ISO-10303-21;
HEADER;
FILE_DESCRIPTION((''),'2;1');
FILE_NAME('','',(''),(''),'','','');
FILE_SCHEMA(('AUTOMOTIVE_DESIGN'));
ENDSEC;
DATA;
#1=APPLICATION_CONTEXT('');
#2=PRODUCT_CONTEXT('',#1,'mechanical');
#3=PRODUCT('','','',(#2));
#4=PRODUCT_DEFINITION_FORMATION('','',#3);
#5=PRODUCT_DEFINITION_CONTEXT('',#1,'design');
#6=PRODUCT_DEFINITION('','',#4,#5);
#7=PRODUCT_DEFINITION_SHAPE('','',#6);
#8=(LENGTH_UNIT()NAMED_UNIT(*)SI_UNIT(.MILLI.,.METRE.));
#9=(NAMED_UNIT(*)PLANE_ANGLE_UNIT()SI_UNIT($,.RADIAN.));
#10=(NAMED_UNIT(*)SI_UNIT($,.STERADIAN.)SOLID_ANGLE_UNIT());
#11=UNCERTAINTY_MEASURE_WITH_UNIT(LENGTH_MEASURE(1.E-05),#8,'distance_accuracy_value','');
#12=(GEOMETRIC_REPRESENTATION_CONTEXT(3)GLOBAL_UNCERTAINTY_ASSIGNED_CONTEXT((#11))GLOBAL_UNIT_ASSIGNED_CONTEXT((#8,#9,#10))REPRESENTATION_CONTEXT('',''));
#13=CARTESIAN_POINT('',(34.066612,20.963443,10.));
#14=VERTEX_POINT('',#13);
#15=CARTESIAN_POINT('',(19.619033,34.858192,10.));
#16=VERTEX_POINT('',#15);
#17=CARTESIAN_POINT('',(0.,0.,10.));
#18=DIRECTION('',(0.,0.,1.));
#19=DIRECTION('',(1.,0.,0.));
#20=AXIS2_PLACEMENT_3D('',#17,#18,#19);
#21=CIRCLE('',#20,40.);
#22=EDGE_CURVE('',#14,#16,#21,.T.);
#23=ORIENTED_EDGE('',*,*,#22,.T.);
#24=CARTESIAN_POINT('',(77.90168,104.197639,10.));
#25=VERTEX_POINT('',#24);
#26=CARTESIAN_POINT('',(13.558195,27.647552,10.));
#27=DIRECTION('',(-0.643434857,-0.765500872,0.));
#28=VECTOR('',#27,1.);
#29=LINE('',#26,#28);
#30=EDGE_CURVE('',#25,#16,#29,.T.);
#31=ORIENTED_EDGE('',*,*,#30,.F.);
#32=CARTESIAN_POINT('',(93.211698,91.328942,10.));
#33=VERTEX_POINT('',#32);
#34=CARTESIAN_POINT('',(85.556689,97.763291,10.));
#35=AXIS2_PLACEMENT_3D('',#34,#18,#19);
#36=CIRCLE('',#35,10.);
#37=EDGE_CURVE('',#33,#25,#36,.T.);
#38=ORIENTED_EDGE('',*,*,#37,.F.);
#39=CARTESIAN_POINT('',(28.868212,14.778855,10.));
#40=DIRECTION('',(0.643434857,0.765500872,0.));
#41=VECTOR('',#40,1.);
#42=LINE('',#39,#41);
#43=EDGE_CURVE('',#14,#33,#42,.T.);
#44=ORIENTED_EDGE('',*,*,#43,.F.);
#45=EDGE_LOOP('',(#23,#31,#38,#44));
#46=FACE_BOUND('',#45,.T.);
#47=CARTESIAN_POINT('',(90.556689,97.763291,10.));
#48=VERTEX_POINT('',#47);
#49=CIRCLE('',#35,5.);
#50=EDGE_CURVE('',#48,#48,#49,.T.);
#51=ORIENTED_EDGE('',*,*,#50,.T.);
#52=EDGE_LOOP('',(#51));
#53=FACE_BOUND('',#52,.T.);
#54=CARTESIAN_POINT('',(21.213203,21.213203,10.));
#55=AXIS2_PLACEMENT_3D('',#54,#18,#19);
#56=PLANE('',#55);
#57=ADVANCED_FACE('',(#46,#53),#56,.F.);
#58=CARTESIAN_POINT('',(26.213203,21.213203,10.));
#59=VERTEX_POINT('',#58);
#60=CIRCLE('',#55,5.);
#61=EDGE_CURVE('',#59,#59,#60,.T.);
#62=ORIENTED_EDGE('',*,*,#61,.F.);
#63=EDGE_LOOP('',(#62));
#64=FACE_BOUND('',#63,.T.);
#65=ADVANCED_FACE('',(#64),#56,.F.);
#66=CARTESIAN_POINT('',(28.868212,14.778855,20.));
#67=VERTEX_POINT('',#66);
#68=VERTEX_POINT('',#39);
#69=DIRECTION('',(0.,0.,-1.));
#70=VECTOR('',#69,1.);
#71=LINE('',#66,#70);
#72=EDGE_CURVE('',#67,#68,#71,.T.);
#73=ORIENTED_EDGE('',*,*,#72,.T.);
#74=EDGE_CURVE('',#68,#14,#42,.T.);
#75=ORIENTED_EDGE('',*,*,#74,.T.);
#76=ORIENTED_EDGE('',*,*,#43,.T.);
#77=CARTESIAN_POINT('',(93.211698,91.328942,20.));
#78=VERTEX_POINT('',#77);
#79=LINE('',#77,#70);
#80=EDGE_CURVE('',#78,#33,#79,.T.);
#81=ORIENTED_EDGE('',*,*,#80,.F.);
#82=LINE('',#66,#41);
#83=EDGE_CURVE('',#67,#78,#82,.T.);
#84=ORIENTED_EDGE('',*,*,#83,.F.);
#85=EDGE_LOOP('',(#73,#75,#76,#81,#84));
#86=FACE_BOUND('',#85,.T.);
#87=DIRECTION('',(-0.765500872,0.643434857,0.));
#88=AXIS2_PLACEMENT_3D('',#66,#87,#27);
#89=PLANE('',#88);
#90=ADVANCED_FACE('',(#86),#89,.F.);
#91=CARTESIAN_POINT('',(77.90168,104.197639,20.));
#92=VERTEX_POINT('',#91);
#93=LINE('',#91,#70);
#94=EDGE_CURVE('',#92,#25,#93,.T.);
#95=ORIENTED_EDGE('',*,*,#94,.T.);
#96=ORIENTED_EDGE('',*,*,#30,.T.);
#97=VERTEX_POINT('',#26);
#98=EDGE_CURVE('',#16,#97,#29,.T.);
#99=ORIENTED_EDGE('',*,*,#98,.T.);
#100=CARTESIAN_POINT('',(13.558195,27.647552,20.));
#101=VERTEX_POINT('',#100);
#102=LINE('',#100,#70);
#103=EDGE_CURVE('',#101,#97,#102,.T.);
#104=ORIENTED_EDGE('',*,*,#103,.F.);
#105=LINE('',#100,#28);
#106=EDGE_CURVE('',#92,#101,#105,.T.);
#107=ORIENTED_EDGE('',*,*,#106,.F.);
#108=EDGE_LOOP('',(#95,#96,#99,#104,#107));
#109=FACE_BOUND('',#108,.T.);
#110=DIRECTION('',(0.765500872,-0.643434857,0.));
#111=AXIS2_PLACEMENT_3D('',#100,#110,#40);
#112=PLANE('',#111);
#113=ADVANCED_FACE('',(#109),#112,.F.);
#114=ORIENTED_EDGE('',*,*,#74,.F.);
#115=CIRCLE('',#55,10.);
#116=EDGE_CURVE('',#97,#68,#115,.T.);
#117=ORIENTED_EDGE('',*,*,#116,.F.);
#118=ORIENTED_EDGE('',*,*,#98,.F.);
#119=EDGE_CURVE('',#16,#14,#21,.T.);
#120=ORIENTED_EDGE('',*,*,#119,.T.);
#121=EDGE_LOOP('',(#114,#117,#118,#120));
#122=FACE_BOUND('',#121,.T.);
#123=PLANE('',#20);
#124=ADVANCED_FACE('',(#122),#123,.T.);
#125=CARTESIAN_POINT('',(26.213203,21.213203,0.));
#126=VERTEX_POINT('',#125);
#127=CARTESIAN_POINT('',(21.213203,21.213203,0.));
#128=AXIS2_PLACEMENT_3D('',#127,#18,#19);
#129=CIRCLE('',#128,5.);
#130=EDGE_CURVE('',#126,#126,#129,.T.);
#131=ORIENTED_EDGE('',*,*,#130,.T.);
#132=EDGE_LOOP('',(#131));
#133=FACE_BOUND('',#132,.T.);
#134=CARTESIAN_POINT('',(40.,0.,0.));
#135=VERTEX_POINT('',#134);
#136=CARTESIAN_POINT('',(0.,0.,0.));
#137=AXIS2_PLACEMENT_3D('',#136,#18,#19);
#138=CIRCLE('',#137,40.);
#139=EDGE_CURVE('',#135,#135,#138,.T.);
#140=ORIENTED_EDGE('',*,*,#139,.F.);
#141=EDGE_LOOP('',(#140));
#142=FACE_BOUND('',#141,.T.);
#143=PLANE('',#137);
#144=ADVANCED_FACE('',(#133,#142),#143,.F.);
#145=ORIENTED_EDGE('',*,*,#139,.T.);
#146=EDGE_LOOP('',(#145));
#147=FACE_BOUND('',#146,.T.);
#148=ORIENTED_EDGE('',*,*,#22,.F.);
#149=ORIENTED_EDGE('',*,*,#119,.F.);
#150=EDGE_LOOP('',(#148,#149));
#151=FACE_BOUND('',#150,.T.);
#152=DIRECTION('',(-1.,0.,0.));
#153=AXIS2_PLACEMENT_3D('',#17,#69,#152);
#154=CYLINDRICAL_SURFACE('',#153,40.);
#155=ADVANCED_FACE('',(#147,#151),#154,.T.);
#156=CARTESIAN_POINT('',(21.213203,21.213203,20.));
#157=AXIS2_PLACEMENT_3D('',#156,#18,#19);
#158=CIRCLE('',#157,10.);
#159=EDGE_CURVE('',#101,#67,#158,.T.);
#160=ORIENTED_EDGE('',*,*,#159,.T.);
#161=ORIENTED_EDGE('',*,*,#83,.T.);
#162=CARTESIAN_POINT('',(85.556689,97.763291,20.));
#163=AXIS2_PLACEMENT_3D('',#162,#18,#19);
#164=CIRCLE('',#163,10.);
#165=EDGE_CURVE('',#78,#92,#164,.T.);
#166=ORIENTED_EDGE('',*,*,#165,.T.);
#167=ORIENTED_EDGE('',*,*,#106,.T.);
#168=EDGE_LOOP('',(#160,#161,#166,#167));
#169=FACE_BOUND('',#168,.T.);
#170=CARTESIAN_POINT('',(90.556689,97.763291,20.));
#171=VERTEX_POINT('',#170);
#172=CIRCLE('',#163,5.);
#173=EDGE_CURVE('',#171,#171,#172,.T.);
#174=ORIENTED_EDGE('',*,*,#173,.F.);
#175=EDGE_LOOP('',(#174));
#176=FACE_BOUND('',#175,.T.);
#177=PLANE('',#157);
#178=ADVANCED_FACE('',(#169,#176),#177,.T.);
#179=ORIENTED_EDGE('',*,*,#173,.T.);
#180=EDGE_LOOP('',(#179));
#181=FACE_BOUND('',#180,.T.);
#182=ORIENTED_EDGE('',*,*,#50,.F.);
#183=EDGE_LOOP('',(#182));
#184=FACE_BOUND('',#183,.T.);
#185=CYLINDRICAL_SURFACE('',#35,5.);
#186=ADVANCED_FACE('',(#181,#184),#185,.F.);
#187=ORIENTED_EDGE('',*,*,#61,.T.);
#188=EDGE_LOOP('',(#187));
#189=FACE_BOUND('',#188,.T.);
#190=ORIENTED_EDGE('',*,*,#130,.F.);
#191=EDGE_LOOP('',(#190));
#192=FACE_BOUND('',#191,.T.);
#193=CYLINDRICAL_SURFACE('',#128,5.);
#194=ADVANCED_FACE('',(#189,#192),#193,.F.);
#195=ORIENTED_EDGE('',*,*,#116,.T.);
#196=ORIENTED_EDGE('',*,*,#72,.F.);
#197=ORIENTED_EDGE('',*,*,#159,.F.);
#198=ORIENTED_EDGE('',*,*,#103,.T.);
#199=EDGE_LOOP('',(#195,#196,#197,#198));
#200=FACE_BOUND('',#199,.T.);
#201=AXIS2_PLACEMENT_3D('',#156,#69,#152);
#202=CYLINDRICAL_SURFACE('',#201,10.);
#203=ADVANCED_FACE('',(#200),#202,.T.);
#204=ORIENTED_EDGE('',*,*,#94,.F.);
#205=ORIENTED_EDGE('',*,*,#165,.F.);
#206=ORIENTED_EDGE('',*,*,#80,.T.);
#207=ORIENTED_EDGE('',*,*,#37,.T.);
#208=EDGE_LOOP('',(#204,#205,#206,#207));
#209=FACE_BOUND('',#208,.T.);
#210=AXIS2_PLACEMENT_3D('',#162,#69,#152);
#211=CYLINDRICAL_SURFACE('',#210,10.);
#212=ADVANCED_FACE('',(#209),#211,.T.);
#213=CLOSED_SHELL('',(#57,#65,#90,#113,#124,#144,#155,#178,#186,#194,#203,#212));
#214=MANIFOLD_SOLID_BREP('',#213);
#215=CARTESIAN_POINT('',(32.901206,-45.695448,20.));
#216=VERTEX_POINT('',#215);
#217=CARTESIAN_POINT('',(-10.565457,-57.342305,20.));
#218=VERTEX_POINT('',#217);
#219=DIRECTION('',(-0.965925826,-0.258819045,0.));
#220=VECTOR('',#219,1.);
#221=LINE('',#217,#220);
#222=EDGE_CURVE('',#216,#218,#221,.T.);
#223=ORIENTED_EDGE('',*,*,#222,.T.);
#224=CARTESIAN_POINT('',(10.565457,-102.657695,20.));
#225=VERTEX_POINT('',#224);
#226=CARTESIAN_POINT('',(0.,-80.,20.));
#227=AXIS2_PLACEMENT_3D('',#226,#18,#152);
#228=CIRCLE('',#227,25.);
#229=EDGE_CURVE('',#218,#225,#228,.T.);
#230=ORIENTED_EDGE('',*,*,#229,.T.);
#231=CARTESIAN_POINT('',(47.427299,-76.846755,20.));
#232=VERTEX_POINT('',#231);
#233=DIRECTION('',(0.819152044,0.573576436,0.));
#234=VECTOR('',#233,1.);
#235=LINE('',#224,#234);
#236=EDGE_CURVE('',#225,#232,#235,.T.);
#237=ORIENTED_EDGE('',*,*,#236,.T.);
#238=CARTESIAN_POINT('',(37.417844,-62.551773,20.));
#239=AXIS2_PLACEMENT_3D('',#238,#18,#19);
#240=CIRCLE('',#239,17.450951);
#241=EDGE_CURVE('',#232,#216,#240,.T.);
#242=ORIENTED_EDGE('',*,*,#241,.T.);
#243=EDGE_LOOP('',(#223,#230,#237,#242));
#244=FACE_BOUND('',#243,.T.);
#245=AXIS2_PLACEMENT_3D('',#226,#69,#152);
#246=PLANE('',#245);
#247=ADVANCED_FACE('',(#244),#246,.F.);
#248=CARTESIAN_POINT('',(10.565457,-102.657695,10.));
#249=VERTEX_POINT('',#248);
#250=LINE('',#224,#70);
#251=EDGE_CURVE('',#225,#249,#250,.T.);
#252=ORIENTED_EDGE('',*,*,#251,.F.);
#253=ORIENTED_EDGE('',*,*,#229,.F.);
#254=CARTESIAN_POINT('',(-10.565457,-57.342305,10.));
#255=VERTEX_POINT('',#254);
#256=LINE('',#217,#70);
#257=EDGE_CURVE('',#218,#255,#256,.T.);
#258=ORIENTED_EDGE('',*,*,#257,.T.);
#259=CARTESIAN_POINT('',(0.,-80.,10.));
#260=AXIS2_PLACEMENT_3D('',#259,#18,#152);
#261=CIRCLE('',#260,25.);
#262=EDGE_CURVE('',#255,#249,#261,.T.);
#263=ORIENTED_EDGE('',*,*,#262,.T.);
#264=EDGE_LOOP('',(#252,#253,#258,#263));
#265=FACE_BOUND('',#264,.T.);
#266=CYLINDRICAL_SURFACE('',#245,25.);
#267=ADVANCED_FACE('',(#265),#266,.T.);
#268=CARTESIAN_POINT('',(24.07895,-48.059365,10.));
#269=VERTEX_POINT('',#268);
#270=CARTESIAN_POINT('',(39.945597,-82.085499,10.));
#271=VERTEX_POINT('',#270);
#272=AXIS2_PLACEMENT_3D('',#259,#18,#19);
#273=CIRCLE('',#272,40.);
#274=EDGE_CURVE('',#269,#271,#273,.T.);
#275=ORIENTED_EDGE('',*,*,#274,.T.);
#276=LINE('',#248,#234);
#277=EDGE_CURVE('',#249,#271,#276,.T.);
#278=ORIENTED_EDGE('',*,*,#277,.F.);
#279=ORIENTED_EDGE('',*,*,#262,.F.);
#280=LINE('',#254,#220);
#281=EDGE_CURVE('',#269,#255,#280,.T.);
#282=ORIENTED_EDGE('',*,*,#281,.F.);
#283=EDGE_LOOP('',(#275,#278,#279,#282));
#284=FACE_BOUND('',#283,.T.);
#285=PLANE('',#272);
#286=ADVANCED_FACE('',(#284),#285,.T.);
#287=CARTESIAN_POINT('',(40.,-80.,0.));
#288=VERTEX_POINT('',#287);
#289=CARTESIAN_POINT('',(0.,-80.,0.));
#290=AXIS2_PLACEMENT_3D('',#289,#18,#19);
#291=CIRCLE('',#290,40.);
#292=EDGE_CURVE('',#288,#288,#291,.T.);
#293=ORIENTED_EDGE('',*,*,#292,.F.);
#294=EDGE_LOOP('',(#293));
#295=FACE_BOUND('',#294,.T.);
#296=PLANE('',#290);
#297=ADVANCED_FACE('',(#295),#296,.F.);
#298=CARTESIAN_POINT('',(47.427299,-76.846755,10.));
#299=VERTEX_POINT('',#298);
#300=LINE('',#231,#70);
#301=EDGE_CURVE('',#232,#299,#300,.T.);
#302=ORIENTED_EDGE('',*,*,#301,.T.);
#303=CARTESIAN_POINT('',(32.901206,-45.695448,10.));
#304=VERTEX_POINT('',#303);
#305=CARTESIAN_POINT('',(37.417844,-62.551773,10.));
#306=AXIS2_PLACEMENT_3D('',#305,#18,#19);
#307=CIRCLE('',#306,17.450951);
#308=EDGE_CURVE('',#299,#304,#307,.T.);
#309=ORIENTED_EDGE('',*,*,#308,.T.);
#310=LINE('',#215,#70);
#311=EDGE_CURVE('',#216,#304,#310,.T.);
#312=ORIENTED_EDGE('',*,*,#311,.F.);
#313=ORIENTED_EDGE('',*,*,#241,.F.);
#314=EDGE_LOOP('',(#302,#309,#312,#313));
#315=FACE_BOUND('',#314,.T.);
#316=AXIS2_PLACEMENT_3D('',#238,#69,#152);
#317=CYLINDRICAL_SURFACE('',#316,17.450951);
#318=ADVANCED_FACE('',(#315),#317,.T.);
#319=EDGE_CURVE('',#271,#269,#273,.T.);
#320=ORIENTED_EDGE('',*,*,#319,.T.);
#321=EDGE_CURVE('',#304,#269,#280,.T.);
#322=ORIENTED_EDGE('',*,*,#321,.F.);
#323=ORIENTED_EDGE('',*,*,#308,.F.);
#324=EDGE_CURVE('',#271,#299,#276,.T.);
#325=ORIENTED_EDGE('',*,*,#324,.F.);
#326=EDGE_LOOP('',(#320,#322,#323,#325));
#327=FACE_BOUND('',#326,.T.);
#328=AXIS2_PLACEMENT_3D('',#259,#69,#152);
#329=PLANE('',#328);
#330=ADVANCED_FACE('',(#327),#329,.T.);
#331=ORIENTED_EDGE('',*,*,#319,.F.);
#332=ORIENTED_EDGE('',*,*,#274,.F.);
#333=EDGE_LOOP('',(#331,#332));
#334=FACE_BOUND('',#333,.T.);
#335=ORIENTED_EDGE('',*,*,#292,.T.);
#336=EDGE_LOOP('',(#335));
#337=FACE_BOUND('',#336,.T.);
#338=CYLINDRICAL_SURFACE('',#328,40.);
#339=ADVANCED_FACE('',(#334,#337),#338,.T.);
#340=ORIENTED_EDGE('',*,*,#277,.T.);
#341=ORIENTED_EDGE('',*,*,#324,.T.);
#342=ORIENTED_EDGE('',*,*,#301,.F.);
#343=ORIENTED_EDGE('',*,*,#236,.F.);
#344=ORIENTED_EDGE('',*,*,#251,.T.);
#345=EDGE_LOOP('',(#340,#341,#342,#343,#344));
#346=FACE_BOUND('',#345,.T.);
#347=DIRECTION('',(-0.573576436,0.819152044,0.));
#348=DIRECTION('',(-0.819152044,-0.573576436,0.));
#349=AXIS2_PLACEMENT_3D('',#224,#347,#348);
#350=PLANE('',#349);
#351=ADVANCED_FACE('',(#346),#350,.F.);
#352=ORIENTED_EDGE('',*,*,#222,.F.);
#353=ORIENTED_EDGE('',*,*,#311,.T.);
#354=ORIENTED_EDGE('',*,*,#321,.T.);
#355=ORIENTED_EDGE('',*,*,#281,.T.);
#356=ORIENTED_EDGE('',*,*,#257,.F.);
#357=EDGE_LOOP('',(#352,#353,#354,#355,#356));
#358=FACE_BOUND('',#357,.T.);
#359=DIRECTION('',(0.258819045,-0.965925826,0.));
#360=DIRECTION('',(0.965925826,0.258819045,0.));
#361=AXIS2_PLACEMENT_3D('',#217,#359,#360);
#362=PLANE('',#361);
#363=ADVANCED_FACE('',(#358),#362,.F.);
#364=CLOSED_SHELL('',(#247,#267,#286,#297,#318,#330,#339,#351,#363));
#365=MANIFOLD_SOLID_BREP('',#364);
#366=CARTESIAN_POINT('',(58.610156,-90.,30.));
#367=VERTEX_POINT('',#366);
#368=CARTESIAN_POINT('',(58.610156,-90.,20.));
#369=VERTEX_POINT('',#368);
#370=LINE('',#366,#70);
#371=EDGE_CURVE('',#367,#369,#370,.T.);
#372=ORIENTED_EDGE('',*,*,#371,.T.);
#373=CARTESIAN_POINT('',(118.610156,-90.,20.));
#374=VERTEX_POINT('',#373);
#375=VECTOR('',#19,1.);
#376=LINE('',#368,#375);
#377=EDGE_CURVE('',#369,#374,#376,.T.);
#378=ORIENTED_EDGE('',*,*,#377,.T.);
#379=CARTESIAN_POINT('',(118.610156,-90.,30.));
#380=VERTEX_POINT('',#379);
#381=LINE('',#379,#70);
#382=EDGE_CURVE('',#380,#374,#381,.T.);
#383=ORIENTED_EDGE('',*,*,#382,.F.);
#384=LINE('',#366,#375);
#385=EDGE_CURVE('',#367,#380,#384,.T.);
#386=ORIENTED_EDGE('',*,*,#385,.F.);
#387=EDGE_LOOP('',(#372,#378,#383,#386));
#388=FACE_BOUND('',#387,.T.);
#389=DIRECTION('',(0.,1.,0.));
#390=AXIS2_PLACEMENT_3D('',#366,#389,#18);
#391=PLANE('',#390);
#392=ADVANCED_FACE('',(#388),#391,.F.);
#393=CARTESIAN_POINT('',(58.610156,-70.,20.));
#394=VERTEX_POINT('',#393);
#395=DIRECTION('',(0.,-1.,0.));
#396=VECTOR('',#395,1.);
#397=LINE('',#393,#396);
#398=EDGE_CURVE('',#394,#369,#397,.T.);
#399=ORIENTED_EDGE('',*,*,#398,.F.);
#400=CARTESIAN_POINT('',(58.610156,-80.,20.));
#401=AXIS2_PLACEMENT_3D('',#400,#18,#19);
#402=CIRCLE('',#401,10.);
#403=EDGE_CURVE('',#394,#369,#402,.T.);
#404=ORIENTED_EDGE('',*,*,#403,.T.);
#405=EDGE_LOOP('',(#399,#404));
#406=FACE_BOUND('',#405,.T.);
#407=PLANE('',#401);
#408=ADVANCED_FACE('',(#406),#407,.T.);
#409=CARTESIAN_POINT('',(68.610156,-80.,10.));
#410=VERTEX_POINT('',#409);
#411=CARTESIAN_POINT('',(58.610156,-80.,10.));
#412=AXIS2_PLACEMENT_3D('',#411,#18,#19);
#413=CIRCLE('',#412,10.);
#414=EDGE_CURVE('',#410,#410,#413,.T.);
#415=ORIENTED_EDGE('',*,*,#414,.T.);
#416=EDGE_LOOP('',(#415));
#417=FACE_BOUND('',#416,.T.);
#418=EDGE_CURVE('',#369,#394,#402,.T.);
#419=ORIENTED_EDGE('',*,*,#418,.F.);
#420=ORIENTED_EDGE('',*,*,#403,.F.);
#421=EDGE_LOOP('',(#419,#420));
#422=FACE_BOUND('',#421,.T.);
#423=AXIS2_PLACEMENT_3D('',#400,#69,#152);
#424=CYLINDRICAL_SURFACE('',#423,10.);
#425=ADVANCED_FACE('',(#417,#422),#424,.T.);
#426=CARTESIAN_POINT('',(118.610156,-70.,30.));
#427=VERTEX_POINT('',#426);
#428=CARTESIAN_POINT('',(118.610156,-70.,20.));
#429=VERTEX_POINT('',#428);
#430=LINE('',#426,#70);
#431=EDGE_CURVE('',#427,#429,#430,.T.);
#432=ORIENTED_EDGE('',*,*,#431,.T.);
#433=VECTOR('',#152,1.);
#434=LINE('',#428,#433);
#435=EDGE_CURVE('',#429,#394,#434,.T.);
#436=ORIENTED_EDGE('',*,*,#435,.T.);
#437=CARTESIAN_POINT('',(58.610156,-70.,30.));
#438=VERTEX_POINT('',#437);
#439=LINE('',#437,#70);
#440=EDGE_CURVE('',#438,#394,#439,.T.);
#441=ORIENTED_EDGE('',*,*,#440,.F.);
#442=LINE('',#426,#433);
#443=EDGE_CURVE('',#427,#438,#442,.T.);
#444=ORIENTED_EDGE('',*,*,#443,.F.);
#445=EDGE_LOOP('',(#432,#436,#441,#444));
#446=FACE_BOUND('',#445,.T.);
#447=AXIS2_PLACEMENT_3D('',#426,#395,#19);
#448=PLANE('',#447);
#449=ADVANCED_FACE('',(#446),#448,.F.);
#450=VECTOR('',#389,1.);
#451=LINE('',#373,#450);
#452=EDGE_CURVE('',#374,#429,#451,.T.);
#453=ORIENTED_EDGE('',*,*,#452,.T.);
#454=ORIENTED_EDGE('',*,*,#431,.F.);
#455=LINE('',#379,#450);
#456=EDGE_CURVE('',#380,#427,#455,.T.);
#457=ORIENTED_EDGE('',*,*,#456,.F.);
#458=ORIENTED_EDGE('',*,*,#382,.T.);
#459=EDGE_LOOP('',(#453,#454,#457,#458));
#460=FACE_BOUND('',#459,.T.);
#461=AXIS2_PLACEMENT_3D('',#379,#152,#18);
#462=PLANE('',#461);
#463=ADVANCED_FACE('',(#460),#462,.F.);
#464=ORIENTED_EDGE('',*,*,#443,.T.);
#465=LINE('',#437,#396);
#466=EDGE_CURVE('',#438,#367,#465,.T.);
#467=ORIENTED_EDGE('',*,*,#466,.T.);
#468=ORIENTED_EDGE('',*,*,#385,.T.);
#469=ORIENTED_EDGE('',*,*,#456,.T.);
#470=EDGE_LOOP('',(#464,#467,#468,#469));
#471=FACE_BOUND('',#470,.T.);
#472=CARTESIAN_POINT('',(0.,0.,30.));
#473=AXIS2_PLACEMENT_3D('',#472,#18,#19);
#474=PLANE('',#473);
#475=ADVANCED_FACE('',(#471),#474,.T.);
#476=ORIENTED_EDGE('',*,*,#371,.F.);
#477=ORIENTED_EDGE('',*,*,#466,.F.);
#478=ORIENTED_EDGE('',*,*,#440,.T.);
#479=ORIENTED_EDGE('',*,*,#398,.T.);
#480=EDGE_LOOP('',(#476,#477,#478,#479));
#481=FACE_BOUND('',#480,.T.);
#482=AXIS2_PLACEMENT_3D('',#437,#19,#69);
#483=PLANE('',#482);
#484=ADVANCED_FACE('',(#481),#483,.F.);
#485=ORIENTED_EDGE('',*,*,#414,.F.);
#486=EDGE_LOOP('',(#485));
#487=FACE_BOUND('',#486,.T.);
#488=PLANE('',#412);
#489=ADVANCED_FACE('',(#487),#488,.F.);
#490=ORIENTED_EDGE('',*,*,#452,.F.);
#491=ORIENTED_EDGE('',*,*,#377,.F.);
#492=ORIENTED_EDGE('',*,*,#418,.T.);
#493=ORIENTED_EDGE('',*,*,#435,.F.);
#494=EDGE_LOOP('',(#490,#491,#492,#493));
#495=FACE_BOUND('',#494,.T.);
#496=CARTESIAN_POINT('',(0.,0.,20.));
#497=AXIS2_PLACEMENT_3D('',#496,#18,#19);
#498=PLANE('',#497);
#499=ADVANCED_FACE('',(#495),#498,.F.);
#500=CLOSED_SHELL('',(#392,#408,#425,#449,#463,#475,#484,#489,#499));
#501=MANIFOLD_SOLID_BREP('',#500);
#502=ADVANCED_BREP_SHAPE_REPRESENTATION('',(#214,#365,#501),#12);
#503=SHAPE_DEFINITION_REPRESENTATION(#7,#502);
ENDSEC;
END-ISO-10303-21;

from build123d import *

# Parameters (mm, degrees)
SKETCH_1_R          = 40
EXTRUDE_1_DEPTH     = 10
SKETCH_2_R          = 40
EXTRUDE_2_DEPTH     = 10
EXTRUDE_3_DEPTH     = 10
EXTRUDE_START       = 10
SKETCH_4_R          = 10
EXTRUDE_4_DEPTH     = 10
SKETCH_5_W          = 60
SKETCH_5_H          = 20
EXTRUDE_5_DEPTH     = 10
SKETCH_6_R          = 5
CUT_EXTRUDE_1_DEPTH = 10
EXTRUDE_6_DEPTH     = 10
SKETCH_8_R          = 5
CUT_EXTRUDE_2_DEPTH = 10


with BuildPart() as part:
    # 草图1 → 凸台-拉伸1 (new body)
    with BuildSketch(Plane.XY):
        Circle(SKETCH_1_R)
    extrude(amount=EXTRUDE_1_DEPTH)

    # 草图6 → 切除-拉伸1 (cut)
    with BuildSketch(Plane.XY.offset(10)):
        with Locations((21.213203436, 21.213203436)):
            Circle(SKETCH_6_R)
    extrude(amount=-CUT_EXTRUDE_1_DEPTH, mode=Mode.SUBTRACT)

    # 草图7 → 凸台-拉伸6 (add)
    with BuildSketch(Plane.XY.offset(10)):
        with BuildLine():
            Line((13.558194714, 27.647552002), (77.901680374, 104.19763922))
            ThreePointArc((77.901680374, 104.19763922), (91.991037662, 105.418299375), (93.211697818, 91.328942088))
            Line((93.211697818, 91.328942088), (28.868212157, 14.77885487))
            ThreePointArc((28.868212157, 14.77885487), (14.77885487, 13.558194714), (13.558194714, 27.647552002))
        make_face()
    extrude(amount=EXTRUDE_6_DEPTH)

    # 草图8 → 切除-拉伸2 (cut)
    with BuildSketch(Plane.XY.offset(20)):
        with Locations((85.556689096, 97.763290654)):
            Circle(SKETCH_8_R)
    extrude(amount=-CUT_EXTRUDE_2_DEPTH, mode=Mode.SUBTRACT)


with BuildPart() as body_2:
    # 草图2 → 凸台-拉伸2 (new body)
    with BuildSketch(Plane.XY):
        with Locations((0, -80)):
            Circle(SKETCH_2_R)
    extrude(amount=EXTRUDE_2_DEPTH)

    # 草图3 → 凸台-拉伸3 (add)
    with BuildSketch(Plane.XY.offset(10)):
        with BuildLine():
            Line((-10.565456544, -57.342305324), (32.901205639, -45.695448294))
            ThreePointArc((32.901205639, -45.695448294), (53.233777088, -55.176682071), (47.427298537, -76.84675504))
            Line((47.427298537, -76.84675504), (10.565456544, -102.657694676))
            ThreePointArc((10.565456544, -102.657694676), (-22.657694676, -90.565456544), (-10.565456544, -57.342305324))
        make_face()
    extrude(amount=EXTRUDE_3_DEPTH)


with BuildPart() as body_3:
    # 草图4 → 凸台-拉伸4 (new body)
    with BuildSketch(Plane.XY.offset(EXTRUDE_START)):
        with Locations((58.610156078, -80)):
            Circle(SKETCH_4_R)
    extrude(amount=EXTRUDE_4_DEPTH)

    # 草图5 → 凸台-拉伸5 (add)
    with BuildSketch(Plane.XY.offset(20)):
        with Locations((88.610156078, -80)):
            Rectangle(SKETCH_5_W, SKETCH_5_H)
    extrude(amount=EXTRUDE_5_DEPTH)


solid = Compound([part.part, body_2.part, body_3.part])
